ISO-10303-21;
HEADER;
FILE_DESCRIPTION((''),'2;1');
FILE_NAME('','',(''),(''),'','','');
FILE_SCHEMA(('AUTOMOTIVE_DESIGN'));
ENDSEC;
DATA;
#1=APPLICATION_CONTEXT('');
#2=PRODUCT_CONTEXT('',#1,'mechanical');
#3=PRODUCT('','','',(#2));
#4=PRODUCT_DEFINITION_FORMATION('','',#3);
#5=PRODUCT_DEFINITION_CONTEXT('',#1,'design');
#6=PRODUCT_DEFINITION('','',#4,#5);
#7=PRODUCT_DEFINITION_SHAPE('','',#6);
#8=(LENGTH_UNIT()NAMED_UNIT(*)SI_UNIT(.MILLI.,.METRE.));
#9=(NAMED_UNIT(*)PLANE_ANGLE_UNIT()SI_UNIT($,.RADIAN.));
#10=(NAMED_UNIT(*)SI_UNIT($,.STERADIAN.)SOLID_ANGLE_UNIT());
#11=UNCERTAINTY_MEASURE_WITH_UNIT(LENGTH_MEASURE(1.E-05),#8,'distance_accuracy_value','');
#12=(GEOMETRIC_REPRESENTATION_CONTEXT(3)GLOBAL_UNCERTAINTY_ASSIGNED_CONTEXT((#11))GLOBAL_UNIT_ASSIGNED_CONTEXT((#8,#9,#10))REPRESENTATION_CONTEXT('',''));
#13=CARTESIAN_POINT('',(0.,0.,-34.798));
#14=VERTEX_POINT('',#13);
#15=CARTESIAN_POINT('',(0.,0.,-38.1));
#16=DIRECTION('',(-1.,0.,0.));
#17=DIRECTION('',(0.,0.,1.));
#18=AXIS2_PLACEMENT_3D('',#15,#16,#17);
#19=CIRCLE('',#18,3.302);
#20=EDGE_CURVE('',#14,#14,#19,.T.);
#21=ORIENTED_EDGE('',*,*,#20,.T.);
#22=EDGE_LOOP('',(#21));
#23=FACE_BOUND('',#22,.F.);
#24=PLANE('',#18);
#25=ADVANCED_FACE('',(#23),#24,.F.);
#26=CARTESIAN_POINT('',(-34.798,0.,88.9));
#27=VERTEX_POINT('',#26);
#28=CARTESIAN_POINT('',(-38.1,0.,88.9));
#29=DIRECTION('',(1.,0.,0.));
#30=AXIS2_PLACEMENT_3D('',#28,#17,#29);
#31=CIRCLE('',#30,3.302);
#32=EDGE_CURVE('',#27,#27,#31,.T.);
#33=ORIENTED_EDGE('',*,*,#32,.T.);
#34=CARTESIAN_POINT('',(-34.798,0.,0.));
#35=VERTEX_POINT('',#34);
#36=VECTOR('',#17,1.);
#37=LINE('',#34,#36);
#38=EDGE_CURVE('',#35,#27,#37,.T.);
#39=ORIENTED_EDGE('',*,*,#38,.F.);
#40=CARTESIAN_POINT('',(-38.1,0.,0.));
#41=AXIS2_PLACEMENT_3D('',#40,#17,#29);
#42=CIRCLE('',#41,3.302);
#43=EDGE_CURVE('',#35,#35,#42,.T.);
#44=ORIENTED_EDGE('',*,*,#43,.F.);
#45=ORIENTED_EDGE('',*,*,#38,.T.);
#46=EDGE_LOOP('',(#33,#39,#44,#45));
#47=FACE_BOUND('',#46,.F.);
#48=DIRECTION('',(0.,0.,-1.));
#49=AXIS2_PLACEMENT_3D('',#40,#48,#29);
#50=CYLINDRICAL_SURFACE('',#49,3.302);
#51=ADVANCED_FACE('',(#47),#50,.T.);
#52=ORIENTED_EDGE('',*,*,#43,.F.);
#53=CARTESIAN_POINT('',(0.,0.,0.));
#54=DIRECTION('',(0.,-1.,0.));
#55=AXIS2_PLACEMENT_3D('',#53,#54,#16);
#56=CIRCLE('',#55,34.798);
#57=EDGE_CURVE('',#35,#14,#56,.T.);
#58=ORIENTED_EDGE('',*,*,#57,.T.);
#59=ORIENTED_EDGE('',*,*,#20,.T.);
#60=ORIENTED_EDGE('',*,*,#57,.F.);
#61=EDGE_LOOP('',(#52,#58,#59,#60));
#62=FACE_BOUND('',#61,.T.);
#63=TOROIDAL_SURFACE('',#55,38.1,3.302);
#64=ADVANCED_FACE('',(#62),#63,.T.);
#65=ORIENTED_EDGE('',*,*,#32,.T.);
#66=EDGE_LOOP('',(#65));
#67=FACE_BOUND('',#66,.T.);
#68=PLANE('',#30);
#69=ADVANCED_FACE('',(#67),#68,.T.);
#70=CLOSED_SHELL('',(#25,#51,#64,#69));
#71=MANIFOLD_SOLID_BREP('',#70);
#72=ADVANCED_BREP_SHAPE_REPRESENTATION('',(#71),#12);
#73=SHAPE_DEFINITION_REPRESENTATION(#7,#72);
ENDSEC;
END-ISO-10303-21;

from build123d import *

# Parameters (mm, degrees)
F1_R      = 3.302
F3_ANGLE  = 90
F3_FACE_R = 3.302
F4_DEPTH  = 88.9


with BuildPart() as f3:
    # F1 (on Top) → F3 (revolve)
    with BuildSketch(Plane.XY):
        with Locations((-38.1, 0)):
            Circle(F1_R)
    revolve(axis=Axis((0, 1.589603, 0), (0, -1, 0)), revolution_arc=F3_ANGLE)

    # F3_face (on face) → F4 (join)
    with BuildSketch(Plane(origin=(-38.1, 0, 0), x_dir=(1, 0, 0), z_dir=(0, 0, 1))):
        Circle(F3_FACE_R)
    extrude(amount=F4_DEPTH)


solid = f3.part
